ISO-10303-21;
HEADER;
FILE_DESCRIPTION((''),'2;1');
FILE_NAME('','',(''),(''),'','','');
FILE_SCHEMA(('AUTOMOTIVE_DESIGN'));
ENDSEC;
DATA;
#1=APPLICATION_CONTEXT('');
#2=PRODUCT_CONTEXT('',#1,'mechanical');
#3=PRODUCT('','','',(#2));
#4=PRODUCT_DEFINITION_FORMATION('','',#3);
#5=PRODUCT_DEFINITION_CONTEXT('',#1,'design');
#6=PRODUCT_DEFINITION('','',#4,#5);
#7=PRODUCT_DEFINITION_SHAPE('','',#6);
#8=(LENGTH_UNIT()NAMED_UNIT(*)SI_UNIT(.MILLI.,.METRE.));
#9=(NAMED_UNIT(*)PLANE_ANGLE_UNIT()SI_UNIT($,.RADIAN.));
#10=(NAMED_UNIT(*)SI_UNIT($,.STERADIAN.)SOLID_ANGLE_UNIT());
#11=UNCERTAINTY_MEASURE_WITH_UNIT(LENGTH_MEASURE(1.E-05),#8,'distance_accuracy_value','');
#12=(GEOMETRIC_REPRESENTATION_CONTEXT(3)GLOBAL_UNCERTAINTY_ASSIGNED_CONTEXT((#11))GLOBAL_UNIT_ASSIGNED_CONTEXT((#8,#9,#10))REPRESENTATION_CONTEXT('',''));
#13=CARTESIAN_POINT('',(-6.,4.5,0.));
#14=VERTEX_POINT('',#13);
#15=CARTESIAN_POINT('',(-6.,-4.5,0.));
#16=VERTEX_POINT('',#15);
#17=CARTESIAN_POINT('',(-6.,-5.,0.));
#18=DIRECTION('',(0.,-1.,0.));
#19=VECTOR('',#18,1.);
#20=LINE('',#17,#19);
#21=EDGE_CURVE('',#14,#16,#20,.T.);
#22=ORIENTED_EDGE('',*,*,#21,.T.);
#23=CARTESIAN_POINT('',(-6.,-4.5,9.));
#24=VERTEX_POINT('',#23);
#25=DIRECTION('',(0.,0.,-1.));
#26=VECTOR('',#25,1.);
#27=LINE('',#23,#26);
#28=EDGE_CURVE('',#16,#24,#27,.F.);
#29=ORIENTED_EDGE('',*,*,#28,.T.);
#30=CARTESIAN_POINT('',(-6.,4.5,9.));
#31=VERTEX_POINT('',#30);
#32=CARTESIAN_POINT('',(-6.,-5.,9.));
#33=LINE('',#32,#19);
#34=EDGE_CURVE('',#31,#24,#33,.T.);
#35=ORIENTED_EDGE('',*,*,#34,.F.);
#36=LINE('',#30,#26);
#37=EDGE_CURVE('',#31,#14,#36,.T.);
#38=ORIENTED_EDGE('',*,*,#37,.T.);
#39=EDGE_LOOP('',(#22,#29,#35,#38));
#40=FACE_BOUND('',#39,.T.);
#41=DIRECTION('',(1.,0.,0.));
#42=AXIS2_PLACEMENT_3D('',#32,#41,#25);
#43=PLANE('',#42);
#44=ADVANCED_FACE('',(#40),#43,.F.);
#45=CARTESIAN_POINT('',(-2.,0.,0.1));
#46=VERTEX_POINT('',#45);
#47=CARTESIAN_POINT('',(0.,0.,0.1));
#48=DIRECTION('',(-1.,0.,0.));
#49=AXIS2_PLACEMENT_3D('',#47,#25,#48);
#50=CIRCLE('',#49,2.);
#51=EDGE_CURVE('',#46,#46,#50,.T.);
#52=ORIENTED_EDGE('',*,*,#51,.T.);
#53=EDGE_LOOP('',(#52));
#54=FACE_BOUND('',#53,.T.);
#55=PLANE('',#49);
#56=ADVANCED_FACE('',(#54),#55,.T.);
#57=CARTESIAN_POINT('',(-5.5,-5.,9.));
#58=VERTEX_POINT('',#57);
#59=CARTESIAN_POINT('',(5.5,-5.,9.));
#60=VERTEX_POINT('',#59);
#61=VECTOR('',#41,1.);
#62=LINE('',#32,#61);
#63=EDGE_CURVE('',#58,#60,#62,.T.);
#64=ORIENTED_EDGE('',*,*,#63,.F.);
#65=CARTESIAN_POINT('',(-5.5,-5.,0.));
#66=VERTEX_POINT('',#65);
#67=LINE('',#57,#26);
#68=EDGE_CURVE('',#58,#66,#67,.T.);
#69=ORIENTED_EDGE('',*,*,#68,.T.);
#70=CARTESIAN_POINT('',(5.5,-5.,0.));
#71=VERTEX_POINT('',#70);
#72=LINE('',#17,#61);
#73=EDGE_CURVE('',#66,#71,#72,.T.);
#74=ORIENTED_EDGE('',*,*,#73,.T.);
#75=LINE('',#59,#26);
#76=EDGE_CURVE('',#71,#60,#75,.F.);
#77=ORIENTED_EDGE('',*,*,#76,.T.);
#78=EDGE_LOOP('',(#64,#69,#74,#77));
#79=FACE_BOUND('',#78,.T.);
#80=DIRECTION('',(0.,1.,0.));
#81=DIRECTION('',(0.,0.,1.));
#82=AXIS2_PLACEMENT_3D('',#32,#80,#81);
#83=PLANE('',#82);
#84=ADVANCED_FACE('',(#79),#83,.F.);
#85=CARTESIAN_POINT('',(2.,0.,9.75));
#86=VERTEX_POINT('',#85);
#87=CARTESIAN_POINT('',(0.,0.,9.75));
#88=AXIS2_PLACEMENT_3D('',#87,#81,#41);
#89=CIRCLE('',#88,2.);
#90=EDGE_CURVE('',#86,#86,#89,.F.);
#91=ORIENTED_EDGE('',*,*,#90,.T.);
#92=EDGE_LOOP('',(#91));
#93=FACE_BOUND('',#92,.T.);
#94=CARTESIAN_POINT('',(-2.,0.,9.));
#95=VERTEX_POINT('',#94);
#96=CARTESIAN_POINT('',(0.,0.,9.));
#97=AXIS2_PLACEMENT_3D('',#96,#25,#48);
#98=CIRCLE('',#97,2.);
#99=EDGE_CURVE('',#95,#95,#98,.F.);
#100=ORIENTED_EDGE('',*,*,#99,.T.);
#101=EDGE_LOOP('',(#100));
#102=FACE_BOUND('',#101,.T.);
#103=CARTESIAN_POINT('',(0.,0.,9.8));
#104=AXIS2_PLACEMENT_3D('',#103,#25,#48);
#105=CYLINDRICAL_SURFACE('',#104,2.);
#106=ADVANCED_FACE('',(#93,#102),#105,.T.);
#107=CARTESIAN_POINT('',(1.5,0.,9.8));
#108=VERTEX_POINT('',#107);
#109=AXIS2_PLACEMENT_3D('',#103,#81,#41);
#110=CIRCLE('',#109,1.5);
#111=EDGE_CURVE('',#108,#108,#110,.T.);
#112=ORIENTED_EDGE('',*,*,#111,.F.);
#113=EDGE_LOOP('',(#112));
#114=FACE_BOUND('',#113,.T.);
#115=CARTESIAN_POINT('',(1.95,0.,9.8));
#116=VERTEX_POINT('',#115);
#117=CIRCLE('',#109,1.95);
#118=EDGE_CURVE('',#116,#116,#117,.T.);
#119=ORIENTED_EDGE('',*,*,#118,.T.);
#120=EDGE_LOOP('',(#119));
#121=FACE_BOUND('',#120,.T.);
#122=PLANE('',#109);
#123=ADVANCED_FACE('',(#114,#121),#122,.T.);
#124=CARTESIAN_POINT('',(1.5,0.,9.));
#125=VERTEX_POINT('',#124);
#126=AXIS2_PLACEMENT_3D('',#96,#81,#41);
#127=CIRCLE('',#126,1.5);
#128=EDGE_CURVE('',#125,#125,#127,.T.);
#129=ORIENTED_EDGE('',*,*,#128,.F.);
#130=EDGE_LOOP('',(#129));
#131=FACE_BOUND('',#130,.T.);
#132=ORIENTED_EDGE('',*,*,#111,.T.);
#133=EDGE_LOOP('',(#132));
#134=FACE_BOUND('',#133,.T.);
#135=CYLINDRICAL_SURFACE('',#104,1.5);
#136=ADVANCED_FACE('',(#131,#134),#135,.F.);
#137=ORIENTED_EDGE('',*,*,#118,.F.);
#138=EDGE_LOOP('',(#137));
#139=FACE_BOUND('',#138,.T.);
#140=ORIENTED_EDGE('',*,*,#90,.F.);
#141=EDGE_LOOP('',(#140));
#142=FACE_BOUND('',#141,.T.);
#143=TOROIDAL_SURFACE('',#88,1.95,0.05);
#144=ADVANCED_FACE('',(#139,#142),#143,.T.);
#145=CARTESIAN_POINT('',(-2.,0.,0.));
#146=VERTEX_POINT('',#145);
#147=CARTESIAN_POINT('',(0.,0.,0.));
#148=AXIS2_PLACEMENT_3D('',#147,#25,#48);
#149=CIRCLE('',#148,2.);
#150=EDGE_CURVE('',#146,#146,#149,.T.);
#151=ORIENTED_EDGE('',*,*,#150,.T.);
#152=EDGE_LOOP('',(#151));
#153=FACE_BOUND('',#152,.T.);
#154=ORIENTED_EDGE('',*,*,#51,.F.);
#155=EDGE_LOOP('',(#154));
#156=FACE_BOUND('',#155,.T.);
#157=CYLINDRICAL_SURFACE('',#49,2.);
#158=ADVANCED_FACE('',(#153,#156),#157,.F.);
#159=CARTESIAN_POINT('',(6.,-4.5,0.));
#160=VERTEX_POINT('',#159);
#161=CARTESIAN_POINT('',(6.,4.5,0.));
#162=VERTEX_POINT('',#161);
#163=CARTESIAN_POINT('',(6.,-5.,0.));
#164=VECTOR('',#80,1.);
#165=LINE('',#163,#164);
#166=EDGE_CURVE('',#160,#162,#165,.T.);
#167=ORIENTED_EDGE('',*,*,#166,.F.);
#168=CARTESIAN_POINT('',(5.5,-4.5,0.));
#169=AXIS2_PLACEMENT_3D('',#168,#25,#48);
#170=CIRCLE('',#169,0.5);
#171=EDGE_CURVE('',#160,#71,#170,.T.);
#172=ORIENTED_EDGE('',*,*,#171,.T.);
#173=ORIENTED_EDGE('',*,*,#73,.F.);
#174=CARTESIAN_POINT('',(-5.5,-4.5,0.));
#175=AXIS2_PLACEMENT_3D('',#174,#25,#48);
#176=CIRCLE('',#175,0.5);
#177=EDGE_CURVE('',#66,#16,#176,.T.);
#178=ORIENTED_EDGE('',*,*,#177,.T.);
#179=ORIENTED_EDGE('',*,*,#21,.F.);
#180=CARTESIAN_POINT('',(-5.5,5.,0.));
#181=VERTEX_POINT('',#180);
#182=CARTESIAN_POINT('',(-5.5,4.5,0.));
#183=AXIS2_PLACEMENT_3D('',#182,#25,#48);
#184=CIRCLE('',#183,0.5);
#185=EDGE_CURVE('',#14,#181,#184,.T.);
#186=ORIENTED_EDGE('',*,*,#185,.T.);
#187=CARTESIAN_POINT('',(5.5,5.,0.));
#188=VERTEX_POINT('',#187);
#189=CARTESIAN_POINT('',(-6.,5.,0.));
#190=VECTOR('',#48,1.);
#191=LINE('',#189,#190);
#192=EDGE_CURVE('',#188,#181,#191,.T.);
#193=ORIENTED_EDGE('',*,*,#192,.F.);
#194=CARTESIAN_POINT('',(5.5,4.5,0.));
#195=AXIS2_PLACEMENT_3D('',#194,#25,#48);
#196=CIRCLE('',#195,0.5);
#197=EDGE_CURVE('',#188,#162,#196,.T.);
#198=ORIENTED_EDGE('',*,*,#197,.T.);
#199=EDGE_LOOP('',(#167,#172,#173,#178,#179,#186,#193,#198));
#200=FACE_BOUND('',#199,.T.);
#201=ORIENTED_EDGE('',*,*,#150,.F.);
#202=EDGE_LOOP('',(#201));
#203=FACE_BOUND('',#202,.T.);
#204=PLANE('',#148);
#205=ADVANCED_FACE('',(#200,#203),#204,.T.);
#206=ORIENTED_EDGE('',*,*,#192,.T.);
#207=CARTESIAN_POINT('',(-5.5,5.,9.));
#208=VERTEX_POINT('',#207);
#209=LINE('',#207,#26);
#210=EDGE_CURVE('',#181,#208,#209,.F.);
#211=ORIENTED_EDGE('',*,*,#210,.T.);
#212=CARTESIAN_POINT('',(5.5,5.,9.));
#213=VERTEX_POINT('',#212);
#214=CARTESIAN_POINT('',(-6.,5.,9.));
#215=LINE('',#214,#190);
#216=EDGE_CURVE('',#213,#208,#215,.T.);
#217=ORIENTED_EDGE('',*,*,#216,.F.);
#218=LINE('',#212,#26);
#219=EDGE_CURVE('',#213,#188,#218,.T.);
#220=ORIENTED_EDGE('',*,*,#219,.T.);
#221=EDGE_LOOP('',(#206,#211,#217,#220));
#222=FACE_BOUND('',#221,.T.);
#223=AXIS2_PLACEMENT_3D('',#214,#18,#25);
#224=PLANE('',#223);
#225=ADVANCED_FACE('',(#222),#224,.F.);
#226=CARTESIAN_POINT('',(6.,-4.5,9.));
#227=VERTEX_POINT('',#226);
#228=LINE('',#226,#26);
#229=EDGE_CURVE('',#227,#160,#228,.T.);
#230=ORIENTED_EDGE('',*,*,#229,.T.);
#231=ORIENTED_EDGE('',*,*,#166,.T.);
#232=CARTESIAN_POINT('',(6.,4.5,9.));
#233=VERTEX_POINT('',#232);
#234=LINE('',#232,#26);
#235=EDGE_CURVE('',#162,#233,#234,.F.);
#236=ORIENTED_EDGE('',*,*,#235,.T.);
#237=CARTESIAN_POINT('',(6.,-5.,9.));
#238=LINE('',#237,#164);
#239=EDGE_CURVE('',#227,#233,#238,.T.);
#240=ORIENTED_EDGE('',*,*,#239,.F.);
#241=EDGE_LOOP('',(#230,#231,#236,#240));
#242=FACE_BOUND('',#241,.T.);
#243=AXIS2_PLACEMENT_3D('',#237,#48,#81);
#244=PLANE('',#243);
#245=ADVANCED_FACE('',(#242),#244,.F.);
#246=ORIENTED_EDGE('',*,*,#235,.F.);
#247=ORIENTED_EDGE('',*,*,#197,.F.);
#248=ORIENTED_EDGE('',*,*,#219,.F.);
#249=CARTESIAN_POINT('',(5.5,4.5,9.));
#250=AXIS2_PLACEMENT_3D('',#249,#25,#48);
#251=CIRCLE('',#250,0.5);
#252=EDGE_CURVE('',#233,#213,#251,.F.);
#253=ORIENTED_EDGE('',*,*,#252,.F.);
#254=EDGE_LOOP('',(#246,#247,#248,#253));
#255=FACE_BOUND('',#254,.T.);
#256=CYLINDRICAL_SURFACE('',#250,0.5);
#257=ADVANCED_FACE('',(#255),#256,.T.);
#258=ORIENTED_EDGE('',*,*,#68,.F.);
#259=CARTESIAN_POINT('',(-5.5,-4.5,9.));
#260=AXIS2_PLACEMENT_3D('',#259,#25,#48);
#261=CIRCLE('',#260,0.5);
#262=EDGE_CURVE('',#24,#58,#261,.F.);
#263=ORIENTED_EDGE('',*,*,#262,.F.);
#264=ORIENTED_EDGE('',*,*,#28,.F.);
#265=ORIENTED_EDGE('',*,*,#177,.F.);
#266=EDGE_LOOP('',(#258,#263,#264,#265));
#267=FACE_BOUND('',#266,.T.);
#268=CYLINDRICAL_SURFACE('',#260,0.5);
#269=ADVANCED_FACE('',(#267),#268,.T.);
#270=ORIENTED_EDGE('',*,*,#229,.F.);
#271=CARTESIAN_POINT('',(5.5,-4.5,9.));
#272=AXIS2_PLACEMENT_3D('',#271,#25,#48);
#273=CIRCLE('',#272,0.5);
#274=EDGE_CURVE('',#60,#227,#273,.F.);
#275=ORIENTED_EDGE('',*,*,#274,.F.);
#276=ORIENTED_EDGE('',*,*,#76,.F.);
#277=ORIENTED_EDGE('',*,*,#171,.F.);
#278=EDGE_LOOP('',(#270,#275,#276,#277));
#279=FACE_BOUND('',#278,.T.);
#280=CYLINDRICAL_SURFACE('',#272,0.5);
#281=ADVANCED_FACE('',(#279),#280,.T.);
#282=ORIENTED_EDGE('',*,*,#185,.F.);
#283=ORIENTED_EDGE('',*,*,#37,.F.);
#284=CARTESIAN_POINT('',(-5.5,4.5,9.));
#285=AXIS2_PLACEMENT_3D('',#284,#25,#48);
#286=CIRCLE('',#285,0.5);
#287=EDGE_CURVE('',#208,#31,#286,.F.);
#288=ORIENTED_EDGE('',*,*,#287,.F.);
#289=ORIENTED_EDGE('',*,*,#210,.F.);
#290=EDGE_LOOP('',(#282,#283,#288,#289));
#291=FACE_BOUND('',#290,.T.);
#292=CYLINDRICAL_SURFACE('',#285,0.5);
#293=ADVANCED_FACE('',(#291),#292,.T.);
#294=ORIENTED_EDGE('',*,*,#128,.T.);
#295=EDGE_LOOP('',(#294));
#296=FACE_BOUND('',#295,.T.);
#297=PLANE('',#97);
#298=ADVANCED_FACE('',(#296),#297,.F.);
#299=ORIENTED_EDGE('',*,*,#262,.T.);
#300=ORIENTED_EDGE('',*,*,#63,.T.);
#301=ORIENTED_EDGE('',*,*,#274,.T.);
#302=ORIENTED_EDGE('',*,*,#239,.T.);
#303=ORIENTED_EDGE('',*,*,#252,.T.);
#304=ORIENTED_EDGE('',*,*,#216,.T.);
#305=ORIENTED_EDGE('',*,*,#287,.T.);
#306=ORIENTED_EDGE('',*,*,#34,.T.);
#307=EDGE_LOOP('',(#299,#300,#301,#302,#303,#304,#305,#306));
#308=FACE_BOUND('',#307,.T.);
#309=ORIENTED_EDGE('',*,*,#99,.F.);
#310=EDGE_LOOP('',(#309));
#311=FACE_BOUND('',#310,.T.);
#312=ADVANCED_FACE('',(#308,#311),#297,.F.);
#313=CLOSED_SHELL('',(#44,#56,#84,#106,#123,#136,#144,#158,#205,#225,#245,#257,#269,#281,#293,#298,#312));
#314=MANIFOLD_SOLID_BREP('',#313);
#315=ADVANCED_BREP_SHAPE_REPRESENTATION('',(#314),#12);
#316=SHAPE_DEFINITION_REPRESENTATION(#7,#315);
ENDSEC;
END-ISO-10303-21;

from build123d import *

# Parameters (mm, degrees)
SKETCH_1_W          = 12
SKETCH_1_H          = 10
EXTRUDE_1_DEPTH     = 9
FILLET_1_R          = 0.5
SKETCH_2_R          = 2
SKETCH_2_R_2        = 1.5
EXTRUDE_2_DEPTH     = 0.8
FILLET_2_R          = 0.05
SKETCH_7_R          = 2
CUT_EXTRUDE_4_DEPTH = 0.1


with BuildPart() as part:
    # 草图1 → 凸台-拉伸1 (new body)
    with BuildSketch(Plane.XY):
        Rectangle(SKETCH_1_W, SKETCH_1_H)
    extrude(amount=EXTRUDE_1_DEPTH)

    # 圆角1
    fillet_1_edges = [part.edges().sort_by_distance(p)[0] for p in [
        (6, -5, 4.5),
        (-6, -5, 4.5),
        (-6, 5, 4.5),
        (6, 5, 4.5),
    ]]
    fillet(fillet_1_edges, radius=FILLET_1_R)

    # 草图2 → 凸台-拉伸2 (add)
    with BuildSketch(Plane.XY.offset(9)):
        Circle(SKETCH_2_R)
        Circle(SKETCH_2_R_2, mode=Mode.SUBTRACT)
    extrude(amount=EXTRUDE_2_DEPTH)

    # 圆角2
    fillet_2_edges = [part.edges().sort_by_distance(p)[0] for p in [
        (-2, 0, 9.8),
    ]]
    fillet(fillet_2_edges, radius=FILLET_2_R)

    # 草图7 → 切除-拉伸4 (cut)
    with BuildSketch(Plane(origin=(0, 0, 0), x_dir=(-1, 0, 0), z_dir=(0, 0, -1))):
        Circle(SKETCH_7_R)
    extrude(amount=-CUT_EXTRUDE_4_DEPTH, mode=Mode.SUBTRACT)


solid = part.part
